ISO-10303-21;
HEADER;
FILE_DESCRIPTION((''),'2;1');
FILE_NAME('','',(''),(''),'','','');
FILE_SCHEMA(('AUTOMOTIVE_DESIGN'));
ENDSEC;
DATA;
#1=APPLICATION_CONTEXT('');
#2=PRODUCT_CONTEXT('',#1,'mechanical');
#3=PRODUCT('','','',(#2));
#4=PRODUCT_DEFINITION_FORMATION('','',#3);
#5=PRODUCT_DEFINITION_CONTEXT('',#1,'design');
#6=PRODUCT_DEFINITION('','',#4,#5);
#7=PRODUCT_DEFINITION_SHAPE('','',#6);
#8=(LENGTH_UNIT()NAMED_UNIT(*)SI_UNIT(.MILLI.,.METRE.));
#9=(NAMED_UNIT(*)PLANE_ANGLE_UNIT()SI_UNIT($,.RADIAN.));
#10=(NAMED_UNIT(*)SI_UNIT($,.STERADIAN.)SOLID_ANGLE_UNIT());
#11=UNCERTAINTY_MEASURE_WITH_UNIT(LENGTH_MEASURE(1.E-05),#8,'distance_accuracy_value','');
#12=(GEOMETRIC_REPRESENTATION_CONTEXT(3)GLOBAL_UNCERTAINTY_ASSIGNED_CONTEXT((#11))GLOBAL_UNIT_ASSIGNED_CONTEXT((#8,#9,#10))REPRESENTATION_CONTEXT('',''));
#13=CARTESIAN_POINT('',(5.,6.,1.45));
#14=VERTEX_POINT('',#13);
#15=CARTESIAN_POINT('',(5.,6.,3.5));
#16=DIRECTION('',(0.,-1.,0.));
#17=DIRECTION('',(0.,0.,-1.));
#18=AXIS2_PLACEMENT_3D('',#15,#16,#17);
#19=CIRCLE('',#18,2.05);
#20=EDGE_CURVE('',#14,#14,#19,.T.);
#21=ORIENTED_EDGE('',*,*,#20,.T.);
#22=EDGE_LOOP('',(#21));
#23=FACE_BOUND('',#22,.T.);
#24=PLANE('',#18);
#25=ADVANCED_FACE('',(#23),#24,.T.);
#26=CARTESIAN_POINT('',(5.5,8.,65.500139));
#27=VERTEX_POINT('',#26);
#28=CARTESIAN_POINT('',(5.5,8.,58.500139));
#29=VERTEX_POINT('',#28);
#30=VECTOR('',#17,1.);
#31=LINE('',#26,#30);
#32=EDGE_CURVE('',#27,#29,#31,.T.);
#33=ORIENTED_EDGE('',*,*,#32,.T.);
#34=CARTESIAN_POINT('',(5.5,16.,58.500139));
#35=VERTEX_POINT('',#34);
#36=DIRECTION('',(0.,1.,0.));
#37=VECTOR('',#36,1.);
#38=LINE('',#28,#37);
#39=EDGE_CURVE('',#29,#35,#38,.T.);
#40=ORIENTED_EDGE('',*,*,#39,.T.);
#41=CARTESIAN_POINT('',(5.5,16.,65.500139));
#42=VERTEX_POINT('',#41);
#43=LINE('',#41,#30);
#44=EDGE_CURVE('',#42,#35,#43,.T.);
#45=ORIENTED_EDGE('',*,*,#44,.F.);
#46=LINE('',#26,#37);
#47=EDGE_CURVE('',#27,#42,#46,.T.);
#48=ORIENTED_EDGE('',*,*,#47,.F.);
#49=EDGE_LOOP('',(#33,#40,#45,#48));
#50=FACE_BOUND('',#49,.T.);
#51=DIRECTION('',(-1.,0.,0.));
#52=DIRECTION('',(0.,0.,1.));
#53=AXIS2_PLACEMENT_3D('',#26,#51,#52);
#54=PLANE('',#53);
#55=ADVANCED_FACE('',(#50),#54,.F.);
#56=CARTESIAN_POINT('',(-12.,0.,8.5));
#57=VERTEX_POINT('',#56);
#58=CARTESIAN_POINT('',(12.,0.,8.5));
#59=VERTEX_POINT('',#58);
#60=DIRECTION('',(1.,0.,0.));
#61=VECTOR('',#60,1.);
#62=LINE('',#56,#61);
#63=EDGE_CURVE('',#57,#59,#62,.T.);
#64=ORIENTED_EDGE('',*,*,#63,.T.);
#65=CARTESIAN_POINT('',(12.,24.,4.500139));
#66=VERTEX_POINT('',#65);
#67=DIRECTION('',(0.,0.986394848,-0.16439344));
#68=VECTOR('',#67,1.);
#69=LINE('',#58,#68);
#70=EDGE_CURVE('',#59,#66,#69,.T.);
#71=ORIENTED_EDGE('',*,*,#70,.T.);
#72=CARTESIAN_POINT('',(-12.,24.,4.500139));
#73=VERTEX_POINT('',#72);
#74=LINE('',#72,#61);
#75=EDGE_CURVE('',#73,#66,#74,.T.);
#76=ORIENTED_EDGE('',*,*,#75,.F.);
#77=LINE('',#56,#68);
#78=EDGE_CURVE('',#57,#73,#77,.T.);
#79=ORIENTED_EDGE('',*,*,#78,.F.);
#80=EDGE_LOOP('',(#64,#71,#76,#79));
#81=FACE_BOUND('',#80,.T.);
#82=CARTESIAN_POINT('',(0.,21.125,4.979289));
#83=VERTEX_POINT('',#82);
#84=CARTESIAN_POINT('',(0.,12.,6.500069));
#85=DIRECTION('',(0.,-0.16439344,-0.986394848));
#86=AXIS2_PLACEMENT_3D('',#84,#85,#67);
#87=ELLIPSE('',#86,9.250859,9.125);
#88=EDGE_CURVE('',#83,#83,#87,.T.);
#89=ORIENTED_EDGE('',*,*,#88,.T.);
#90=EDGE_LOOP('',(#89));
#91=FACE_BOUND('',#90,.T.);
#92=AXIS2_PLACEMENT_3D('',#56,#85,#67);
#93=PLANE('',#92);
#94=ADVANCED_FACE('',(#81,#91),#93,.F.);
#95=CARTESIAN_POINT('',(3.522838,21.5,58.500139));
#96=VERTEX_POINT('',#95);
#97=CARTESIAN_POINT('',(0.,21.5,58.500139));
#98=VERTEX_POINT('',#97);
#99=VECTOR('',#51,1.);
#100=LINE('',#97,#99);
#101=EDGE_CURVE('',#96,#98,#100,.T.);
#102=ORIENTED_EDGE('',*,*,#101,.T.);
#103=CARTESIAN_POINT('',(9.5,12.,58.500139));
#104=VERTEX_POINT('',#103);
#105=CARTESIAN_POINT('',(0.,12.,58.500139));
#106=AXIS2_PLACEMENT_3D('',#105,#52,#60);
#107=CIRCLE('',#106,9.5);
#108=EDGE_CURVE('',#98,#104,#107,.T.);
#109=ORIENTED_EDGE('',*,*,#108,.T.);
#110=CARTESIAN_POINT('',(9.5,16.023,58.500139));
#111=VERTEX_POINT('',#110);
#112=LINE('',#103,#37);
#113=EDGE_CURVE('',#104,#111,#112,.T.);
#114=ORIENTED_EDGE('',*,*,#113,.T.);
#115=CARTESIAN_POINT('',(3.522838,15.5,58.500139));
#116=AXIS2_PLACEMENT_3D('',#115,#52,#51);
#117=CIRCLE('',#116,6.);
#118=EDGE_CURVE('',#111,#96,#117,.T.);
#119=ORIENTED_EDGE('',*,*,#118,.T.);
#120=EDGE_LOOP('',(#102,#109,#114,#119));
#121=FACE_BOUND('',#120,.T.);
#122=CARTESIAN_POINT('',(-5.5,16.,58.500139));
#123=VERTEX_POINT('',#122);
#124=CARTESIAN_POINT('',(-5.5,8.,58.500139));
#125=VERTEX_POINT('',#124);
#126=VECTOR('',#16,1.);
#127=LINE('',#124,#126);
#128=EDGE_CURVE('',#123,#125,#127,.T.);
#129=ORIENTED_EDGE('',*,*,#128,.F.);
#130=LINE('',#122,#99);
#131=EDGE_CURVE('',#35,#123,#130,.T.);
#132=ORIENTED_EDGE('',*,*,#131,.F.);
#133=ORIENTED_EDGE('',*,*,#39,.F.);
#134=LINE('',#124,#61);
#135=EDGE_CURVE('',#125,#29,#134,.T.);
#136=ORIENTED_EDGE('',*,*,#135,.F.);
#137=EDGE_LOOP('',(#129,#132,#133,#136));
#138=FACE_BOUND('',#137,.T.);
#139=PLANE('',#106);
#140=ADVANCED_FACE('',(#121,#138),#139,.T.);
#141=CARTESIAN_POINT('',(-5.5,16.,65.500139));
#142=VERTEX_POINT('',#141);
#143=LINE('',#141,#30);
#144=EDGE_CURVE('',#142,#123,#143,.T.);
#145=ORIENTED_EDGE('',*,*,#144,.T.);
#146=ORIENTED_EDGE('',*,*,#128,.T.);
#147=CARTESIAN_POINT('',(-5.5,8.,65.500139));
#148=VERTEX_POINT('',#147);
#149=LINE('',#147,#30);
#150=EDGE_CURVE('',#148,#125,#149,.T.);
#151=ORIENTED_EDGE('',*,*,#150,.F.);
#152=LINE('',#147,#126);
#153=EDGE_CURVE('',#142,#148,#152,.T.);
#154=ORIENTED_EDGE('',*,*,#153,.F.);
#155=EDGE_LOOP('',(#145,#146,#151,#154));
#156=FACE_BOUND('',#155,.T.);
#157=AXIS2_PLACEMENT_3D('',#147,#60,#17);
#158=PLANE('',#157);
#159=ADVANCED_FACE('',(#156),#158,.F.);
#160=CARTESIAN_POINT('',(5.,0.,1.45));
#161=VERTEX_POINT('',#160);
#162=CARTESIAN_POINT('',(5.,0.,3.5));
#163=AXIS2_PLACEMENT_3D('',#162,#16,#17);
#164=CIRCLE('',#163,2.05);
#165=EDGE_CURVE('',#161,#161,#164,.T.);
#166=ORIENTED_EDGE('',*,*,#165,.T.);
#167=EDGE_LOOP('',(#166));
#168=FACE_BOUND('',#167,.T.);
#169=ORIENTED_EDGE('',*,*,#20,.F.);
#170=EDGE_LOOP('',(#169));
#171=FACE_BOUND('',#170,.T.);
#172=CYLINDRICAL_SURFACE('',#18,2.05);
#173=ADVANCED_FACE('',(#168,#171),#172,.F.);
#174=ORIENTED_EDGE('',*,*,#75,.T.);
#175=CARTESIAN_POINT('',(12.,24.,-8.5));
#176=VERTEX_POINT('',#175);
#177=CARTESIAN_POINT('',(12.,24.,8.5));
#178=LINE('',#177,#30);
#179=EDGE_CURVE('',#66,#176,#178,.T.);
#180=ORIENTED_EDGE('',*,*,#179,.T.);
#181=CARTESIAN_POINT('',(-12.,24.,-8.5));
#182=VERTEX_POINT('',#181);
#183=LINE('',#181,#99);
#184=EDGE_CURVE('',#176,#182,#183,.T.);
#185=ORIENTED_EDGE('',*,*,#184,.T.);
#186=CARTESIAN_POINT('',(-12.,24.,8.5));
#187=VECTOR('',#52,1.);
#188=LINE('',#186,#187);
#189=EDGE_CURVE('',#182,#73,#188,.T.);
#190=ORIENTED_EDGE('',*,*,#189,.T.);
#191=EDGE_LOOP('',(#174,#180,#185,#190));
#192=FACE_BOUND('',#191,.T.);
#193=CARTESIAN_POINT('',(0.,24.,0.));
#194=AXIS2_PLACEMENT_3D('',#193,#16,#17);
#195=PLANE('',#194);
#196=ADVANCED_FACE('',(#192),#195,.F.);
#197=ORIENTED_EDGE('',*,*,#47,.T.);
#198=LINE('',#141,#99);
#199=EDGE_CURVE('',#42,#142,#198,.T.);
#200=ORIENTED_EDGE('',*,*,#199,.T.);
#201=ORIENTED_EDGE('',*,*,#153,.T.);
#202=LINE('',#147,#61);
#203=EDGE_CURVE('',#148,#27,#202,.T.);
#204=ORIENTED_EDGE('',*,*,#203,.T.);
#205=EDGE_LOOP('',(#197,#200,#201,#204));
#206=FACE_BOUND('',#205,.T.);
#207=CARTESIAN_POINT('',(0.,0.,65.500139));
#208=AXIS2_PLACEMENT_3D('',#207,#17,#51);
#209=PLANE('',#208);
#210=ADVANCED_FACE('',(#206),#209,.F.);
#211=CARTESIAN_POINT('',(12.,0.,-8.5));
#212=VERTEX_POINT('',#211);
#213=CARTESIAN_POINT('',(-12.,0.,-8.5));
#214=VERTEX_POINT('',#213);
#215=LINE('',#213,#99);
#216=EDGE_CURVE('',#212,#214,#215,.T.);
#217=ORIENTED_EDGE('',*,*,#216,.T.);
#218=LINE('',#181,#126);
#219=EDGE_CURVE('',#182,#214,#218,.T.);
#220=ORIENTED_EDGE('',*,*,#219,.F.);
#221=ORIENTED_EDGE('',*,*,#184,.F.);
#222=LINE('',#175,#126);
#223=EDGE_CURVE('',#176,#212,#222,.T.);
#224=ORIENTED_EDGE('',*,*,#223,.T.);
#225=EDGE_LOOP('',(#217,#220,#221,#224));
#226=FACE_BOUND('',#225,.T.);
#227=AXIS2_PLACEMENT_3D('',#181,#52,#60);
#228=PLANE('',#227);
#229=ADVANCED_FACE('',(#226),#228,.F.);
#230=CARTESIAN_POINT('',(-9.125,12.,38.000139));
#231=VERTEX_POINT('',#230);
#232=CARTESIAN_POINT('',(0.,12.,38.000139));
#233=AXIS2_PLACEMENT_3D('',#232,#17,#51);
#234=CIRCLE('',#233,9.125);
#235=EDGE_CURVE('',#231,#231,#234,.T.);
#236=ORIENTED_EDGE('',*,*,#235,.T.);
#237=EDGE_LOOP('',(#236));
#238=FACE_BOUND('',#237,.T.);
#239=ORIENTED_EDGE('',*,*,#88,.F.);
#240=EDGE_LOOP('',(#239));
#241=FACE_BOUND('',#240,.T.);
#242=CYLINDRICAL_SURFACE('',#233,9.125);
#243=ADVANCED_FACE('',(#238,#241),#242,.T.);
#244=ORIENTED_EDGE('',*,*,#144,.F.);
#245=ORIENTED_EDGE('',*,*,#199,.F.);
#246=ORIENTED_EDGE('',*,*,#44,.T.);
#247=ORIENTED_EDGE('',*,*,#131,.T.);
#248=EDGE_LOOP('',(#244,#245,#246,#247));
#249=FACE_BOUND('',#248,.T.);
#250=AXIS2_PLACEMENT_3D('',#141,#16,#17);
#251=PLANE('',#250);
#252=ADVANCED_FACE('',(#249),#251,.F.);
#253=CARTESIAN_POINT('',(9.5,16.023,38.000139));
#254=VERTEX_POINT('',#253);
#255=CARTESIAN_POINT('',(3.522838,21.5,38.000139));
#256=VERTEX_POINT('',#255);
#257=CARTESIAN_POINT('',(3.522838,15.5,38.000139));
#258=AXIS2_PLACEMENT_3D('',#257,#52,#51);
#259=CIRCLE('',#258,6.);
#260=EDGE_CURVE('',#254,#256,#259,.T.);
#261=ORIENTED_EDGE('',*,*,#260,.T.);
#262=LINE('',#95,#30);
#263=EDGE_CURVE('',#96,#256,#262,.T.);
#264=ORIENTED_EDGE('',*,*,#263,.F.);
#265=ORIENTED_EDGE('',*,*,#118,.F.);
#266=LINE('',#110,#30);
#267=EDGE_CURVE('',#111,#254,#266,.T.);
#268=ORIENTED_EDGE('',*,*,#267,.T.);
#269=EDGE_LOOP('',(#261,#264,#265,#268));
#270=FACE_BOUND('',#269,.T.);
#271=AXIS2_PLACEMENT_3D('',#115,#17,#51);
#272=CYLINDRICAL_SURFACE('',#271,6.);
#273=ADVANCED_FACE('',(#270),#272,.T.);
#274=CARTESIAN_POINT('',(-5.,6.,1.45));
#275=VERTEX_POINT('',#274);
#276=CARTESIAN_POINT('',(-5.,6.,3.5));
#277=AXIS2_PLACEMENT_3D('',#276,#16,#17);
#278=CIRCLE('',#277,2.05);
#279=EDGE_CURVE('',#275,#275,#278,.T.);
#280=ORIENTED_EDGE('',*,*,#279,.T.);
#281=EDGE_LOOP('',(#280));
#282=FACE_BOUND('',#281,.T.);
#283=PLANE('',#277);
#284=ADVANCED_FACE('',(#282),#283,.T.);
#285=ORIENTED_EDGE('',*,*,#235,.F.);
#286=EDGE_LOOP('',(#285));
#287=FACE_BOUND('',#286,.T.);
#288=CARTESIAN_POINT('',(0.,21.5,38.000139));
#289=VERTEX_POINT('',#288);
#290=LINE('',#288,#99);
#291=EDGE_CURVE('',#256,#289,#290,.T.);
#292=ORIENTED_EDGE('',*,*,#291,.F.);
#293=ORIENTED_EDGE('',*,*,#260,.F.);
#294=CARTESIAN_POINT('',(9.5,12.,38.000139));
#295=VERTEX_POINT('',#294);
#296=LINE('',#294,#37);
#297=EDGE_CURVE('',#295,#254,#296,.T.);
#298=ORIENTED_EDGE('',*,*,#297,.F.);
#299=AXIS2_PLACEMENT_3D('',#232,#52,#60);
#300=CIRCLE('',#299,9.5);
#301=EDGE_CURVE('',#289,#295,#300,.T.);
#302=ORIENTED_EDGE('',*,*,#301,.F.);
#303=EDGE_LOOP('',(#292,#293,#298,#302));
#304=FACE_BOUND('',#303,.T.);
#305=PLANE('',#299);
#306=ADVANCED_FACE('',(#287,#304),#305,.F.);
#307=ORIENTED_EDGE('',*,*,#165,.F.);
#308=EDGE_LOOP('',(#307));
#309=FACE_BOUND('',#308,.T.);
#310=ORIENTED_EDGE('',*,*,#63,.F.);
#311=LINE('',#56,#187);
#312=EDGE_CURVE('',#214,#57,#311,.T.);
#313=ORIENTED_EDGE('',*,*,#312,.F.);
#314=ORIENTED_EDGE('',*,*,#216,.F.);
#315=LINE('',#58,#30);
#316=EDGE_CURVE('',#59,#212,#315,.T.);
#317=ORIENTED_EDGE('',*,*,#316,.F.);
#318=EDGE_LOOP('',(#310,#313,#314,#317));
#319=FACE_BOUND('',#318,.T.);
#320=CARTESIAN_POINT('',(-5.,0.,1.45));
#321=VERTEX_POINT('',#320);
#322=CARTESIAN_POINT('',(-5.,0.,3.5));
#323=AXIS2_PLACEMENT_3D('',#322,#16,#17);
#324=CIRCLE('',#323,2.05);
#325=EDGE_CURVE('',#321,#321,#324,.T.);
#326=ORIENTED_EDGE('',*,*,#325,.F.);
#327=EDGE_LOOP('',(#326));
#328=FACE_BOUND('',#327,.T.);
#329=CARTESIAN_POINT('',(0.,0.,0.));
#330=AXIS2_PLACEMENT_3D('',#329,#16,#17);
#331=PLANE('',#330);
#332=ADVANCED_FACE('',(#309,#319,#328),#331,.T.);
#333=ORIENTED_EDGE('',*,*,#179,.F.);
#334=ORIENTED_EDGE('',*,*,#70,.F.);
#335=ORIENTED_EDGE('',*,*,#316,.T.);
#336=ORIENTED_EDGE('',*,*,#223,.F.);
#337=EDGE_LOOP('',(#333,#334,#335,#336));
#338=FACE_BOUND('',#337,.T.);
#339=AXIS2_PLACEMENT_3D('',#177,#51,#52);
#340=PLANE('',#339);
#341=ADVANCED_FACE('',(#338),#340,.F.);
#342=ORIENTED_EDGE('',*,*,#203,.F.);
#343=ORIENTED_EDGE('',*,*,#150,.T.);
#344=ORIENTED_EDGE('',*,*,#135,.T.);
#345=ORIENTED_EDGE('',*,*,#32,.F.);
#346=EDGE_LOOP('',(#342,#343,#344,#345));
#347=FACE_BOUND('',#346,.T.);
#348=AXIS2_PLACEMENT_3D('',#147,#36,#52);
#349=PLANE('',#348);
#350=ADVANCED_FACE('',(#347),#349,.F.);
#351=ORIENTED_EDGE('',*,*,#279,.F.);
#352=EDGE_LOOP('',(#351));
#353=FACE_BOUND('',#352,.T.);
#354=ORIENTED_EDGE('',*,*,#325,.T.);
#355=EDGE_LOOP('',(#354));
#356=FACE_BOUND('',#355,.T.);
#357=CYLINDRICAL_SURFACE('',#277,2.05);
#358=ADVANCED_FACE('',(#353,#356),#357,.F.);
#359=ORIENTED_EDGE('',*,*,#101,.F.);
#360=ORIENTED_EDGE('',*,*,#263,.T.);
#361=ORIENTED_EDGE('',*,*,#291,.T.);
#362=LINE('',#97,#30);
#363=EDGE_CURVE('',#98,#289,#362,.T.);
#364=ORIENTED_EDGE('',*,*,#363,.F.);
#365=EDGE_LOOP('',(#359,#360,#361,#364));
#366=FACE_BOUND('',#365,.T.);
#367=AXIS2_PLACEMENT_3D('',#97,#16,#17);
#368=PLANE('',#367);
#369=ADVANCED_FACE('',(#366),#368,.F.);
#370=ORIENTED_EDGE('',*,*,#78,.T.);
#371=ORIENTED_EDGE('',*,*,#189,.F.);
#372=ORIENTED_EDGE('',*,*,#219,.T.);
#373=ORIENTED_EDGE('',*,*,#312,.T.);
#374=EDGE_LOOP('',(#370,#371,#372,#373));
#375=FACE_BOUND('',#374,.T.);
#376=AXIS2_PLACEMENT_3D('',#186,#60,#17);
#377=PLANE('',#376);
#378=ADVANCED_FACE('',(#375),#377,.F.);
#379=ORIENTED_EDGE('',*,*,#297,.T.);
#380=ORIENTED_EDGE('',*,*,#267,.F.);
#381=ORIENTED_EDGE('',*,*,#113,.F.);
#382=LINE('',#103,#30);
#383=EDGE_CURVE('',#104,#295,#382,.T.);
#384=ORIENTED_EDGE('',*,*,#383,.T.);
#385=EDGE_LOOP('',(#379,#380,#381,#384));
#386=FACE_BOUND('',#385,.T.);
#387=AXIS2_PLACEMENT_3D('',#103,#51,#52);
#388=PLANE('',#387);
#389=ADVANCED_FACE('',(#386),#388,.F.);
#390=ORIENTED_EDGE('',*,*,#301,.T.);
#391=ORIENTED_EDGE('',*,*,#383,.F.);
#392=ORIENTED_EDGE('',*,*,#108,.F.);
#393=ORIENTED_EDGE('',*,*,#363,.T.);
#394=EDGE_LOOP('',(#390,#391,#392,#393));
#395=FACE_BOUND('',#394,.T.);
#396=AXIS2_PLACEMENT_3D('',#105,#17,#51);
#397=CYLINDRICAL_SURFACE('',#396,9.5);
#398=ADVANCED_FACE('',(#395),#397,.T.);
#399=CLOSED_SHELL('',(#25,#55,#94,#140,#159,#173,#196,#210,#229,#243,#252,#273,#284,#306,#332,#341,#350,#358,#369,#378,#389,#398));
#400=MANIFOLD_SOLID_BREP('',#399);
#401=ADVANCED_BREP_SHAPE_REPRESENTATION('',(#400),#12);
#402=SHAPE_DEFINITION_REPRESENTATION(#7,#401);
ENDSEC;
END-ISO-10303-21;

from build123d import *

# Parameters (mm, degrees)
CROQUIS1_W              = 24
CROQUIS1_H              = 17
SALIENTE_EXTRUIR1_DEPTH = 24
CORTAR_EXTRUIR1_DEPTH   = 24
CROQUIS4_R              = 9.125
SALIENTE_EXTRUIR3_DEPTH = 33.5
SALIENTE_EXTRUIR4_DEPTH = 20.5
CROQUIS6_W              = 11
CROQUIS6_H              = 8
SALIENTE_EXTRUIR5_DEPTH = 7
CROQUIS7_R              = 2.05
CORTAR_EXTRUIR2_DEPTH   = 6


with BuildPart() as part:
    # Croquis1 → Saliente-Extruir1 (new body)
    with BuildSketch(Plane(origin=(0, 0, 0), x_dir=(1, 0, 0), z_dir=(0, 1, 0))):
        Rectangle(CROQUIS1_W, CROQUIS1_H)
    extrude(amount=SALIENTE_EXTRUIR1_DEPTH)

    # Croquis2 → Cortar-Extruir1 (cut)
    with BuildSketch(Plane(origin=(12, 0, 0), x_dir=(0, 0, -1), z_dir=(1, 0, 0))):
        Polygon((-8.5, 0), (-4.500138715, 24), (-8.5, 24), align=None)
    extrude(amount=-CORTAR_EXTRUIR1_DEPTH, mode=Mode.SUBTRACT)

    # Croquis4 → Saliente-Extruir3 (add)
    with BuildSketch(Plane(origin=(0, 0, 4.500138715), x_dir=(1, 0, 0), z_dir=(0, 0, -1))):
        with Locations(Location((0, -12, 0), (0, 0, 180))):
            Circle(CROQUIS4_R)
    extrude(amount=-SALIENTE_EXTRUIR3_DEPTH)

    # Croquis5 → Saliente-Extruir4 (add)
    with BuildSketch(Plane.XY.offset(38.000138715)):
        with BuildLine():
            Line((0, 21.5), (3.522837546, 21.5))
            ThreePointArc((3.522837546, 21.5), (7.576354538, 19.923686246), (9.5, 16.023))
            Line((9.5, 16.023), (9.5, 12))
            ThreePointArc((9.5, 12), (-6.717514421, 5.282485579), (0, 21.5))
        make_face()
    extrude(amount=SALIENTE_EXTRUIR4_DEPTH)

    # Croquis6 → Saliente-Extruir5 (add)
    with BuildSketch(Plane.XY.offset(58.500138715)):
        with Locations((0, 12)):
            Rectangle(CROQUIS6_W, CROQUIS6_H)
    extrude(amount=SALIENTE_EXTRUIR5_DEPTH)

    # Croquis7 → Cortar-Extruir2 (cut)
    with BuildSketch(Plane.XZ):
        with Locations(Location((-5, 3.5, 0), (0, 0, 270))):
            Circle(CROQUIS7_R)
        with Locations(Location((5, 3.5, 0), (0, 0, 270))):
            Circle(CROQUIS7_R)
    extrude(amount=-CORTAR_EXTRUIR2_DEPTH, mode=Mode.SUBTRACT)


solid = part.part
